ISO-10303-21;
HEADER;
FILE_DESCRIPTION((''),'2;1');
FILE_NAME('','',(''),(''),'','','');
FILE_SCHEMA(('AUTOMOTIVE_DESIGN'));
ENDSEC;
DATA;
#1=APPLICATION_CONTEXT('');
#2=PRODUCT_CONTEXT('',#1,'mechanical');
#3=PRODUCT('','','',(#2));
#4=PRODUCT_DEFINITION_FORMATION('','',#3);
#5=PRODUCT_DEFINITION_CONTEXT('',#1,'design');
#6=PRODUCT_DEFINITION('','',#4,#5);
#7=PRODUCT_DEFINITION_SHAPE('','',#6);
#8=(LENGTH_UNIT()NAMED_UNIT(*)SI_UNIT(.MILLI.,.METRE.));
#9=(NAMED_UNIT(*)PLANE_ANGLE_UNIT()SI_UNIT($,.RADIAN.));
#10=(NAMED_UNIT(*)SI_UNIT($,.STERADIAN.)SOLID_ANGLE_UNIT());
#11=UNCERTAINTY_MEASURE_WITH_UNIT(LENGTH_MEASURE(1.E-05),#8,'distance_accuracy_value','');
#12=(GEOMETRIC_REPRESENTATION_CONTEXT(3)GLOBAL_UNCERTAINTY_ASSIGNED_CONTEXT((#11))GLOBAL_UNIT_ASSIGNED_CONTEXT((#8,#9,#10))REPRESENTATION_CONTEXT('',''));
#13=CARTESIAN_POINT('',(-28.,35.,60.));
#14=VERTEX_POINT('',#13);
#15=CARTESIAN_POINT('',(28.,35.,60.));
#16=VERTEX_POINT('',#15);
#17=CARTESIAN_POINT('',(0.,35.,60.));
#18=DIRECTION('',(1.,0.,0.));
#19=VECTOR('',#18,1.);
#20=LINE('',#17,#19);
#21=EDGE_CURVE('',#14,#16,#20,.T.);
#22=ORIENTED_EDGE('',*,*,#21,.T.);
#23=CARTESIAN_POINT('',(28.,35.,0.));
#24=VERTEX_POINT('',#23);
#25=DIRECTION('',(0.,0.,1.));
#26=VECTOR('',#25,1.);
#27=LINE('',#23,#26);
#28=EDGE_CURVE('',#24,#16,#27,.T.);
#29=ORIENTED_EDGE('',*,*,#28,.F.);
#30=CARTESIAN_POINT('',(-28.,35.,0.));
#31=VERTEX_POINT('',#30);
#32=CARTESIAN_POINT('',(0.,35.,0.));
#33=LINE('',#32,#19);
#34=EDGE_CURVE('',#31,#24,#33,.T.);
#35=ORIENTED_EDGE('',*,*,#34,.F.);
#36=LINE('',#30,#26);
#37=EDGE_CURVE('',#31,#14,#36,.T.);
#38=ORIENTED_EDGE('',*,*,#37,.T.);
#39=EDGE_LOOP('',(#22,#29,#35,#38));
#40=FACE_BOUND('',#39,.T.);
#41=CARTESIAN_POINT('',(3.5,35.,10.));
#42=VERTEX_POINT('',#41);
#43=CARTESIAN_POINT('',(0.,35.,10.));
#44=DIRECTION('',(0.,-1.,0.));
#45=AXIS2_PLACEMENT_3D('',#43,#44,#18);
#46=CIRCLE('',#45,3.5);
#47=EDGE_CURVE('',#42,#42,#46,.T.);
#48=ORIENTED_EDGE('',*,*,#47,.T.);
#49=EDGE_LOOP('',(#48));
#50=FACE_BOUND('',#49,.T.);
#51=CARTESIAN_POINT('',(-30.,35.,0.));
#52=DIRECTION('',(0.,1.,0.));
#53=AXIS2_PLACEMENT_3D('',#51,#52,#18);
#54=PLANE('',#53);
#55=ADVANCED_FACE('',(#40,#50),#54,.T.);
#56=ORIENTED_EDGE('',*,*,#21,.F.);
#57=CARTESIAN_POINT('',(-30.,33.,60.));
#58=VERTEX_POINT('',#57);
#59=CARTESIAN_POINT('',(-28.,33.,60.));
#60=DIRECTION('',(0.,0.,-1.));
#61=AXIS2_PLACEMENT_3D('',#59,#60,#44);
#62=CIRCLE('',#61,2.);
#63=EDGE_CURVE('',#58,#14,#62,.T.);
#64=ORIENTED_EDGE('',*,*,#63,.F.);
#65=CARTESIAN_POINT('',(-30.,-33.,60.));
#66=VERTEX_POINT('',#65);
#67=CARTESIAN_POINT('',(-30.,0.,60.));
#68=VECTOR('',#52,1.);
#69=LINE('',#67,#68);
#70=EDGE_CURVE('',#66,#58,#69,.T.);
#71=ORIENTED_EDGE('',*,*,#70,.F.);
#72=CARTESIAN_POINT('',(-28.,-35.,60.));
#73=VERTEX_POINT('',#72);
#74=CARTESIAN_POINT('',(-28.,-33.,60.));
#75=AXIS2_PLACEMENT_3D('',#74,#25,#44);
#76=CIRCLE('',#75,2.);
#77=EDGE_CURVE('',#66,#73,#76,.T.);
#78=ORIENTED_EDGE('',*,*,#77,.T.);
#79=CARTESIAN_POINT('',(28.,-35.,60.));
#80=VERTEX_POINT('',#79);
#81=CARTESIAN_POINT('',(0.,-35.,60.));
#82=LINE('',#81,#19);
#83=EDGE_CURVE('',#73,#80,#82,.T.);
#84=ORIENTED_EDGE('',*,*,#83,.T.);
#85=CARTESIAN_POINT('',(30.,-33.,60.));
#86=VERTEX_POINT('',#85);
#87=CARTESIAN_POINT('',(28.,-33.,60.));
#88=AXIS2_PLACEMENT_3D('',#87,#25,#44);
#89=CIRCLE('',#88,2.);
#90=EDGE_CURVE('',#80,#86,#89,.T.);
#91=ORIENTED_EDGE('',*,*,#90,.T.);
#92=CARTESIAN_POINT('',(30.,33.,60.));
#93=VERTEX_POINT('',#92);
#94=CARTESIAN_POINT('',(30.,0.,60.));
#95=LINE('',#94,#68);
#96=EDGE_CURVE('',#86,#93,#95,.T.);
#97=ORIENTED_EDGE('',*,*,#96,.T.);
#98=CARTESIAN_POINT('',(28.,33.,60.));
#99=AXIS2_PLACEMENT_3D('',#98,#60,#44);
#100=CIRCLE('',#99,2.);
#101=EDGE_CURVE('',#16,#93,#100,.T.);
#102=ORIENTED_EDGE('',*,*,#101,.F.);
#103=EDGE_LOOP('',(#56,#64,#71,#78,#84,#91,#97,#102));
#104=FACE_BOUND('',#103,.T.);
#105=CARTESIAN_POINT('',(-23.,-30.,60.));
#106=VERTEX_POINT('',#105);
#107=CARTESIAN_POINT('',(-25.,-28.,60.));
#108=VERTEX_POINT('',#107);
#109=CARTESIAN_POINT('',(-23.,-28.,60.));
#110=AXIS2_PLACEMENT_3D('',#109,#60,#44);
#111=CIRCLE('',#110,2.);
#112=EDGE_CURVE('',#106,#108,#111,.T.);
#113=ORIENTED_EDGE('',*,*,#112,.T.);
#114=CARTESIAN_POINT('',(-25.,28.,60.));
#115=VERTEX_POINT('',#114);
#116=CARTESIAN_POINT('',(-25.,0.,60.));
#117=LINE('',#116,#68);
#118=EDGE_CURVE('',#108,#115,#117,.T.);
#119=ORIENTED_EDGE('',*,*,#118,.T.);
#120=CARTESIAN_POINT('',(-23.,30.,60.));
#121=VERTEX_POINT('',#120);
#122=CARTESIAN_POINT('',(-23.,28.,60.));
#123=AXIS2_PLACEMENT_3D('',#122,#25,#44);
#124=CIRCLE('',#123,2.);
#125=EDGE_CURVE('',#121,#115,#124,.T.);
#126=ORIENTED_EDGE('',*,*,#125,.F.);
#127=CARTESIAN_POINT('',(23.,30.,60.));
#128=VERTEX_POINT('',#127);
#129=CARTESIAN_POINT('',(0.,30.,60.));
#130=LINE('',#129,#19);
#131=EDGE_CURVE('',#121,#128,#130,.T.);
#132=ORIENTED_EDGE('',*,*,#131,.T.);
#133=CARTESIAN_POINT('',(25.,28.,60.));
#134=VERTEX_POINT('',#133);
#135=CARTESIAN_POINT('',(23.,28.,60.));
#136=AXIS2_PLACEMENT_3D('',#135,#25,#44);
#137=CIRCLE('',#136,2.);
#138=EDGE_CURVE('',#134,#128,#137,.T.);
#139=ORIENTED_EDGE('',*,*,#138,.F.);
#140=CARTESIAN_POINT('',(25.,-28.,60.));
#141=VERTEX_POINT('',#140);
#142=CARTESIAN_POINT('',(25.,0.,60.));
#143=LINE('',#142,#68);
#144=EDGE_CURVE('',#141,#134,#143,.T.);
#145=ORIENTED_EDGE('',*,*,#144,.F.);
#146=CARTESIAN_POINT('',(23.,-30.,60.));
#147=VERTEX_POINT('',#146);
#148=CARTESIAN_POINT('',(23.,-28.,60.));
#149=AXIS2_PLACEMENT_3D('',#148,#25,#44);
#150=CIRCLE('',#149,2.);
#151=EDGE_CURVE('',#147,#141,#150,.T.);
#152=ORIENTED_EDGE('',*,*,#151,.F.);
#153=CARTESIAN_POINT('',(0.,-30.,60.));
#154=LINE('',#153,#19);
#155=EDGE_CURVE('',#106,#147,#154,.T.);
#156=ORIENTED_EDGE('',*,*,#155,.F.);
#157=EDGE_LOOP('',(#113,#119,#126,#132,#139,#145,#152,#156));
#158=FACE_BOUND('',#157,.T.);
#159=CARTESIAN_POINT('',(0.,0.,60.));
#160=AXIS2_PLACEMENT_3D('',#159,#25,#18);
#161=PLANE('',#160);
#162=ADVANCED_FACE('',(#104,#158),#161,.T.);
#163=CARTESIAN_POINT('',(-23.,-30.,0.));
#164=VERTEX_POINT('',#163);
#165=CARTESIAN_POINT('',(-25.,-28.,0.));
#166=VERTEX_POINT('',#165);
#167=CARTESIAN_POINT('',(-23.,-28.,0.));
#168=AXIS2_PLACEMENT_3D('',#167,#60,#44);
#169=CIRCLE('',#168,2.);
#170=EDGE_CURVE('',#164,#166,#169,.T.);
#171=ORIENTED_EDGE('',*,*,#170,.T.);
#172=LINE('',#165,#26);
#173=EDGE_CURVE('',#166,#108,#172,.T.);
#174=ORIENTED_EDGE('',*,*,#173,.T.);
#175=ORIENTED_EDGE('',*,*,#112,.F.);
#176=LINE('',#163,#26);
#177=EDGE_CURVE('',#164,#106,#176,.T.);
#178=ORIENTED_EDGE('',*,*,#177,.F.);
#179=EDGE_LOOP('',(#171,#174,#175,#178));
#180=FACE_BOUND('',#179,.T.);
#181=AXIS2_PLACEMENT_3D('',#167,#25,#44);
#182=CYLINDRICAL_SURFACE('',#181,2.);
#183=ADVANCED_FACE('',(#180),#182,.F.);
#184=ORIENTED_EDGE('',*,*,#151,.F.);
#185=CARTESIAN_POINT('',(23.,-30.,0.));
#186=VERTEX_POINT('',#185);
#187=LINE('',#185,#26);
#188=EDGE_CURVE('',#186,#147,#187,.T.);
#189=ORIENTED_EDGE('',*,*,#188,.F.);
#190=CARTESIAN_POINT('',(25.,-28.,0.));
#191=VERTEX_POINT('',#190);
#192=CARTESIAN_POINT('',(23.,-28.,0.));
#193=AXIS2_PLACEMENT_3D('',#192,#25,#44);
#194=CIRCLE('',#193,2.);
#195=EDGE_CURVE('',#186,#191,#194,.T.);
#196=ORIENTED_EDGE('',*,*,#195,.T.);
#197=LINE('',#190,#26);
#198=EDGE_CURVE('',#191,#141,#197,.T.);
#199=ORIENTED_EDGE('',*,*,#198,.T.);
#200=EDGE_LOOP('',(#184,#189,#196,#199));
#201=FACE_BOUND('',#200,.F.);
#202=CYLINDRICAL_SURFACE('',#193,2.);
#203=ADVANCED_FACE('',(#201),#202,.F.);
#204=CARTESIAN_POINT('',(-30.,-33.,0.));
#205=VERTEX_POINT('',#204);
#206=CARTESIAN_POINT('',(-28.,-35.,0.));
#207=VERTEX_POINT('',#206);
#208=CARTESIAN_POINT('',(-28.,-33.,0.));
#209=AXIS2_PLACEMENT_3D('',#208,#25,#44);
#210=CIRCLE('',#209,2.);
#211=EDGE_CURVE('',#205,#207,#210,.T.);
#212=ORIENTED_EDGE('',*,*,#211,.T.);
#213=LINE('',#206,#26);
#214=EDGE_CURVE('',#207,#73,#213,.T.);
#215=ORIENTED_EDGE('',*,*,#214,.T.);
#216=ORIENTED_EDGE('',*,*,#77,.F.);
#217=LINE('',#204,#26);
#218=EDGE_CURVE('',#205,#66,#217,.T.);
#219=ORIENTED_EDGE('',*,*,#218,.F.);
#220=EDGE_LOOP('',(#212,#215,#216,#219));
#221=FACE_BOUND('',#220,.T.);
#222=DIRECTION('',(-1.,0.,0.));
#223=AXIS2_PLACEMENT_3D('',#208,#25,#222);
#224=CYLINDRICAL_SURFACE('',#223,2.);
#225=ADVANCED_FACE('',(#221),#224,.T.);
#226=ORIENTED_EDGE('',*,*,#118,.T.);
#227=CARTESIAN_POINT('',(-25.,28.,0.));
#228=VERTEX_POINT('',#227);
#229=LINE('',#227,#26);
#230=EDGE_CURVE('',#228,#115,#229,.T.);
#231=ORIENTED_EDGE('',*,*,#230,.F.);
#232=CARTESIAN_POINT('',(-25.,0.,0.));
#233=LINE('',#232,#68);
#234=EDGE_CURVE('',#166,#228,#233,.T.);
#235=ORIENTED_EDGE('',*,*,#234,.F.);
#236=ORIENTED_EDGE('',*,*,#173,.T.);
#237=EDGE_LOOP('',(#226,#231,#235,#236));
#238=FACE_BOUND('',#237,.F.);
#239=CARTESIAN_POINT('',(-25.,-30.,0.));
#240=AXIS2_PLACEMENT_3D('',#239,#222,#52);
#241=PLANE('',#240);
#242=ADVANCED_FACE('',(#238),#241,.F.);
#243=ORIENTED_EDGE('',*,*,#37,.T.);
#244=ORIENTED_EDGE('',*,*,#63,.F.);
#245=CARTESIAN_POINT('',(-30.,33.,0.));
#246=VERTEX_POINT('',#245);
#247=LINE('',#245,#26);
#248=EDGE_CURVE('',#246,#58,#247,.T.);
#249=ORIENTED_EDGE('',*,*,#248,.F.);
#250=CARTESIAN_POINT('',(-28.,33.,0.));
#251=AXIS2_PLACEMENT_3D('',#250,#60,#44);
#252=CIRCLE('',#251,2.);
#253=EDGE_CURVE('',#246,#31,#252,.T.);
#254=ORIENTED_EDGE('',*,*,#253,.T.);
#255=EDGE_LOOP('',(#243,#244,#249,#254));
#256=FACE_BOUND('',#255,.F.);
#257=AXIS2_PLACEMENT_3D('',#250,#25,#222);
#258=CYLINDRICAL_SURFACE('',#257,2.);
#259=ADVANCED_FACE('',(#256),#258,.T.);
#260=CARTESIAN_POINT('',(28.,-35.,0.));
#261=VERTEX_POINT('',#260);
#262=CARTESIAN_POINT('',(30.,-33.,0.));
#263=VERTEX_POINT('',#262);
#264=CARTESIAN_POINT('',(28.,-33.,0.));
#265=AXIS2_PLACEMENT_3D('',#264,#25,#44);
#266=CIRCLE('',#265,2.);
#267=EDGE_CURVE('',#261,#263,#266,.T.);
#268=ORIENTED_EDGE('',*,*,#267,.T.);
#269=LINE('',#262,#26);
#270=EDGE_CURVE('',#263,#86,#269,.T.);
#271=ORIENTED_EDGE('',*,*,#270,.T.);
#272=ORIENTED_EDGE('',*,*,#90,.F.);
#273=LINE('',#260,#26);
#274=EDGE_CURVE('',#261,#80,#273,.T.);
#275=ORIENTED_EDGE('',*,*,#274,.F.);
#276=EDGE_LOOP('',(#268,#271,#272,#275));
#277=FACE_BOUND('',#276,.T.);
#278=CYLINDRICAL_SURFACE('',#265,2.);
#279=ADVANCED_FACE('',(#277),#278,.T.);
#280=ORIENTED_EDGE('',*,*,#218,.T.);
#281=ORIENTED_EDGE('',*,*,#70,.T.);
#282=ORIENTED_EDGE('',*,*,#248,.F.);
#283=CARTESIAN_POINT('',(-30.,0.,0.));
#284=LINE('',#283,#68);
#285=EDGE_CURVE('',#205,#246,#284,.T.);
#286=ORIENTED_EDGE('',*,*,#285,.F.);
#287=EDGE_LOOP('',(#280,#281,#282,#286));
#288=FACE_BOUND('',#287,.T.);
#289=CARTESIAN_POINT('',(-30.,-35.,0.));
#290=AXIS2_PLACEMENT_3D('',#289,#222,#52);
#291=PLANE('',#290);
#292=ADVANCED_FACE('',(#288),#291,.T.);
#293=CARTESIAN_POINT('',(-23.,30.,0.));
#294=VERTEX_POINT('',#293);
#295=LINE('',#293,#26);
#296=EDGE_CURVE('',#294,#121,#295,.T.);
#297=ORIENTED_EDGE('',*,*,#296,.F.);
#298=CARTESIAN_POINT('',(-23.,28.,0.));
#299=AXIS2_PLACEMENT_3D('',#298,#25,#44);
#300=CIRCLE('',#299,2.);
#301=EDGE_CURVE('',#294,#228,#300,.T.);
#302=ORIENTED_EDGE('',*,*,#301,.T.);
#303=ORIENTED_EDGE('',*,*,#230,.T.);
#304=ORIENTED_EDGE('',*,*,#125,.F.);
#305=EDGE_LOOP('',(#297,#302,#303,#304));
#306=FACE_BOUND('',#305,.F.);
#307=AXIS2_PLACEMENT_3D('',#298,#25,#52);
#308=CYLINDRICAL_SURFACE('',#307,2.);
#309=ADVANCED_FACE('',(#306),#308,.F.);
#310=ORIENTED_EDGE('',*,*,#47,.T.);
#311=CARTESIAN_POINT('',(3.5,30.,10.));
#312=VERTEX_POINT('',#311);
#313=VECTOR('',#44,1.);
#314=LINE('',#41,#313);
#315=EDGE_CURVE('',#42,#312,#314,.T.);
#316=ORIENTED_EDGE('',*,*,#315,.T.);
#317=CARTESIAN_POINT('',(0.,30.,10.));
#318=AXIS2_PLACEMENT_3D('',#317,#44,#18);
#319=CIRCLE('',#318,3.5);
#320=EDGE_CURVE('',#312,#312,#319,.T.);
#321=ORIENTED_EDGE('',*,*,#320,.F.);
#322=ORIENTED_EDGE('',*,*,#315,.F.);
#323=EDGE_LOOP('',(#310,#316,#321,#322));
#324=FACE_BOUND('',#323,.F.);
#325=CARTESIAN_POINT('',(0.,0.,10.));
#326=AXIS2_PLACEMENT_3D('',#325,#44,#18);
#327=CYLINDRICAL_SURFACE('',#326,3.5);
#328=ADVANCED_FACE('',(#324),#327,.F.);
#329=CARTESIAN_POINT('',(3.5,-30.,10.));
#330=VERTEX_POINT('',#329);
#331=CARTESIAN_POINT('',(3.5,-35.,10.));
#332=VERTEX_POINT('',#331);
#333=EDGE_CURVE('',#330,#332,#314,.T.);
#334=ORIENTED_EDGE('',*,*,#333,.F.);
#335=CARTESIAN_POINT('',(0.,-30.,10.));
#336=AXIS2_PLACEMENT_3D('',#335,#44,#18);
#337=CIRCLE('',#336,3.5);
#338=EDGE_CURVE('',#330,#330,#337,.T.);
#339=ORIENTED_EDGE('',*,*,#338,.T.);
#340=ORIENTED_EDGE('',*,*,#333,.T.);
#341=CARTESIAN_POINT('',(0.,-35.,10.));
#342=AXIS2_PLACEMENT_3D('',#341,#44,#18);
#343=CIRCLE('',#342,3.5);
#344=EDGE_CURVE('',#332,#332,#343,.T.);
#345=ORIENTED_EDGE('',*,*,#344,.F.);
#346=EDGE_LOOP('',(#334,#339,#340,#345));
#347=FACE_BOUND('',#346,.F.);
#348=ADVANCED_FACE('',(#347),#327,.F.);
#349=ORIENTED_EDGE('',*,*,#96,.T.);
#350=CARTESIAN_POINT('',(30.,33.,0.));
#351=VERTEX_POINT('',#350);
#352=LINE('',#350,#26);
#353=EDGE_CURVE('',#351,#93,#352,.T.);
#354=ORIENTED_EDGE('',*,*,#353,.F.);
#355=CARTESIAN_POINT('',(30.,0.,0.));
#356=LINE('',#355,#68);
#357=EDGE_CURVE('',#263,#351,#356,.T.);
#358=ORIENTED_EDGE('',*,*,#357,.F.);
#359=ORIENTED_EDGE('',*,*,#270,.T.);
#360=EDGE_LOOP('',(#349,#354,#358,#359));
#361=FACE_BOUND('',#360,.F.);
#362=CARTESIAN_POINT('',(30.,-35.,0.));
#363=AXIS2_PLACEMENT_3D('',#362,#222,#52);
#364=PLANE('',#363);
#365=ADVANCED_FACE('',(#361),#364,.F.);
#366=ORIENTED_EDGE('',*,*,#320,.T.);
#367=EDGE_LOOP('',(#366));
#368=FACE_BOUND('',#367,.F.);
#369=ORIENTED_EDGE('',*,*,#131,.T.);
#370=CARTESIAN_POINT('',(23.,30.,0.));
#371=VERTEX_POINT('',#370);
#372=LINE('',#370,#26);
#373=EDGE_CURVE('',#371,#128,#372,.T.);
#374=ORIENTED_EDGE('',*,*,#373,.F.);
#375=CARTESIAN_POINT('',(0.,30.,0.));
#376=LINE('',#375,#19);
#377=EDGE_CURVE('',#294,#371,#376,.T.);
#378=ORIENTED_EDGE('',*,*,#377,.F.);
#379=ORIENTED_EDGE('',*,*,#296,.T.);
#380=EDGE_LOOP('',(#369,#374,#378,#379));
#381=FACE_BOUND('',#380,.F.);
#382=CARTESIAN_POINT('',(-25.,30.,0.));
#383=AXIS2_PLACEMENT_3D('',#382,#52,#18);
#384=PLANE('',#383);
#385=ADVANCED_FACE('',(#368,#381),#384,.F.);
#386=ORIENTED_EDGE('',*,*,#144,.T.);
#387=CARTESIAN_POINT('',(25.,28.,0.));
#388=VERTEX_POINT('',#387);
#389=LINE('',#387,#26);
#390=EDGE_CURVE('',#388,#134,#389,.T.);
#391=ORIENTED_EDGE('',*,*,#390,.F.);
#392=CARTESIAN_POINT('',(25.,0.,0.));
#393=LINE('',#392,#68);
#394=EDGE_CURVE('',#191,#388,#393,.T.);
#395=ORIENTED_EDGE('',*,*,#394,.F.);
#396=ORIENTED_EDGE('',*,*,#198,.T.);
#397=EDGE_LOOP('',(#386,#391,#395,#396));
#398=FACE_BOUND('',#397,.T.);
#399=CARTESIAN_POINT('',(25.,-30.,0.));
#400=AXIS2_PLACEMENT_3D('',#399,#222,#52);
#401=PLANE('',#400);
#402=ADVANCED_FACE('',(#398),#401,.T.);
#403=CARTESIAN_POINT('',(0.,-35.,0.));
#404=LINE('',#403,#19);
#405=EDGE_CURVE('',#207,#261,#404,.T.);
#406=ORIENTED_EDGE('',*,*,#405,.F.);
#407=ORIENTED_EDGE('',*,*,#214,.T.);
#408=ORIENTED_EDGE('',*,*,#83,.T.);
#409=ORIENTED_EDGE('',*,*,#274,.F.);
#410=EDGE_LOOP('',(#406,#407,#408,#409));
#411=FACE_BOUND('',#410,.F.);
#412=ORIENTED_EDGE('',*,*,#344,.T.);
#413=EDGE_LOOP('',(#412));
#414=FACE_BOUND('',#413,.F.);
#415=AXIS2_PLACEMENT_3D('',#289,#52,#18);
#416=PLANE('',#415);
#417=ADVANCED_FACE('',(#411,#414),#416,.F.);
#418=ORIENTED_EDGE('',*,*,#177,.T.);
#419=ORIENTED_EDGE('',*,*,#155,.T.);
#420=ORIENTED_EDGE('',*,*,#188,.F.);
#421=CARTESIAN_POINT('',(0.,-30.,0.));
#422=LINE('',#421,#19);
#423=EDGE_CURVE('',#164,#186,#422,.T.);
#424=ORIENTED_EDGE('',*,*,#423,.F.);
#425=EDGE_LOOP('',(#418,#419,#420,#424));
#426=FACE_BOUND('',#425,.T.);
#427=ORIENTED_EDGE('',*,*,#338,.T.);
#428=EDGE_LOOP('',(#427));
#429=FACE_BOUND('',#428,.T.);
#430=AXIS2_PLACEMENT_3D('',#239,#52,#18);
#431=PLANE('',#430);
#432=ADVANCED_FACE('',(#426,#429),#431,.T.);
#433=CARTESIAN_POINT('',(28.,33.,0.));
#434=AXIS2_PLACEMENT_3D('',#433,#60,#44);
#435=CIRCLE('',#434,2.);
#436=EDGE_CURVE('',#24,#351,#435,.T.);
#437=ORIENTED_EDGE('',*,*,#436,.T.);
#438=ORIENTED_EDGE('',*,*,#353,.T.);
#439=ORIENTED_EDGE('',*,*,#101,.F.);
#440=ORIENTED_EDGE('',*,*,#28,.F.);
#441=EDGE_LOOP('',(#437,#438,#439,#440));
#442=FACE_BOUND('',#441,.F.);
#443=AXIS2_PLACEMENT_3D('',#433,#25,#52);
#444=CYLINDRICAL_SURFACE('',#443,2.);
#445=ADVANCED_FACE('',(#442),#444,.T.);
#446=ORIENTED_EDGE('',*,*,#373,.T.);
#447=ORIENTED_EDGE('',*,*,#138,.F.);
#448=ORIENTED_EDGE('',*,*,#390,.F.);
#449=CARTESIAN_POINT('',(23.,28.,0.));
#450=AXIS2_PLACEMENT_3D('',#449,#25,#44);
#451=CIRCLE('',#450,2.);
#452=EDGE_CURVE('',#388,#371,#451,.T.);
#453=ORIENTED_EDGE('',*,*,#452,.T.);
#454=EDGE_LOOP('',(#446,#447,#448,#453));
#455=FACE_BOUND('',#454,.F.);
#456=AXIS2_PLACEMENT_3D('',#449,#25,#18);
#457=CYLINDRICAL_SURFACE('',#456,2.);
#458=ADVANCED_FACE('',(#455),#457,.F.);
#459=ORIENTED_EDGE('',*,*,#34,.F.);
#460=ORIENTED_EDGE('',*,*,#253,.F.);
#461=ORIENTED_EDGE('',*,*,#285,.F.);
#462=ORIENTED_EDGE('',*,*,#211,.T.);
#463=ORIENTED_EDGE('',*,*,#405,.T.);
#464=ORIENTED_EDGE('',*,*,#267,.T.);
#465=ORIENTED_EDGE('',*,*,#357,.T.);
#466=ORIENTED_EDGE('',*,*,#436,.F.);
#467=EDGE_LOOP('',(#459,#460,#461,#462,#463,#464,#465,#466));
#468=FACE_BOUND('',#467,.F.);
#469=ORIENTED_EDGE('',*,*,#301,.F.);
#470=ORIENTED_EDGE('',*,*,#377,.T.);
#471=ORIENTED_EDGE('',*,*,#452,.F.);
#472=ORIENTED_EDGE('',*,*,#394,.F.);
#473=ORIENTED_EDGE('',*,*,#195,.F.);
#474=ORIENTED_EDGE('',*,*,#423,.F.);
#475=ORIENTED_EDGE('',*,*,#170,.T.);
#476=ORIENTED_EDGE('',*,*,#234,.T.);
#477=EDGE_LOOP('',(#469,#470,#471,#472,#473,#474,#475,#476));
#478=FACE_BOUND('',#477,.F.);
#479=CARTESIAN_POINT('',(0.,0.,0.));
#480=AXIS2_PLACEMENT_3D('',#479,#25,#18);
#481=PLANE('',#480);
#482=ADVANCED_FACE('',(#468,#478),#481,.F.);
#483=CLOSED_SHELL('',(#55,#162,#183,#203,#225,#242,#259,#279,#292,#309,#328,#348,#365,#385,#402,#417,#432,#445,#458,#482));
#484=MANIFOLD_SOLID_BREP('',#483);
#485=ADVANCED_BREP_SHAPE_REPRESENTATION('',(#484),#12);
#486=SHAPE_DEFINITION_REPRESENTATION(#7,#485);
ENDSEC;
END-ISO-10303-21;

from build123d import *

# Parameters (mm, degrees)
F0_W     = 60
F0_H     = 70
F0_W_2   = 50
F0_H_2   = 60
F1_DEPTH = 60
F2_R     = 2
F3_R     = 3.5
F4_DEPTH = 35


with BuildPart() as f1:
    # F0 (on Top) → F1 (new body)
    with BuildSketch(Plane.XY):
        Rectangle(F0_W, F0_H)
        Rectangle(F0_W_2, F0_H_2, mode=Mode.SUBTRACT)
    extrude(amount=F1_DEPTH)

    # F2
    f2_edges = [f1.edges().sort_by_distance(p)[0] for p in [
        (-30, -35, 30),
        (30, -35, 30),
        (-30, 35, 30),
        (30, 35, 30),
        (25, -30, 30),
        (-25, 30, 30),
        (25, 30, 30),
        (-25, -30, 30),
    ]]
    fillet(f2_edges, radius=F2_R)

    # F3 (on Front) → F4 (cut, symmetric)
    with BuildSketch(Plane.XZ):
        with Locations((0, 10)):
            Circle(F3_R)
    extrude(amount=F4_DEPTH, both=True, mode=Mode.SUBTRACT)


solid = f1.part
